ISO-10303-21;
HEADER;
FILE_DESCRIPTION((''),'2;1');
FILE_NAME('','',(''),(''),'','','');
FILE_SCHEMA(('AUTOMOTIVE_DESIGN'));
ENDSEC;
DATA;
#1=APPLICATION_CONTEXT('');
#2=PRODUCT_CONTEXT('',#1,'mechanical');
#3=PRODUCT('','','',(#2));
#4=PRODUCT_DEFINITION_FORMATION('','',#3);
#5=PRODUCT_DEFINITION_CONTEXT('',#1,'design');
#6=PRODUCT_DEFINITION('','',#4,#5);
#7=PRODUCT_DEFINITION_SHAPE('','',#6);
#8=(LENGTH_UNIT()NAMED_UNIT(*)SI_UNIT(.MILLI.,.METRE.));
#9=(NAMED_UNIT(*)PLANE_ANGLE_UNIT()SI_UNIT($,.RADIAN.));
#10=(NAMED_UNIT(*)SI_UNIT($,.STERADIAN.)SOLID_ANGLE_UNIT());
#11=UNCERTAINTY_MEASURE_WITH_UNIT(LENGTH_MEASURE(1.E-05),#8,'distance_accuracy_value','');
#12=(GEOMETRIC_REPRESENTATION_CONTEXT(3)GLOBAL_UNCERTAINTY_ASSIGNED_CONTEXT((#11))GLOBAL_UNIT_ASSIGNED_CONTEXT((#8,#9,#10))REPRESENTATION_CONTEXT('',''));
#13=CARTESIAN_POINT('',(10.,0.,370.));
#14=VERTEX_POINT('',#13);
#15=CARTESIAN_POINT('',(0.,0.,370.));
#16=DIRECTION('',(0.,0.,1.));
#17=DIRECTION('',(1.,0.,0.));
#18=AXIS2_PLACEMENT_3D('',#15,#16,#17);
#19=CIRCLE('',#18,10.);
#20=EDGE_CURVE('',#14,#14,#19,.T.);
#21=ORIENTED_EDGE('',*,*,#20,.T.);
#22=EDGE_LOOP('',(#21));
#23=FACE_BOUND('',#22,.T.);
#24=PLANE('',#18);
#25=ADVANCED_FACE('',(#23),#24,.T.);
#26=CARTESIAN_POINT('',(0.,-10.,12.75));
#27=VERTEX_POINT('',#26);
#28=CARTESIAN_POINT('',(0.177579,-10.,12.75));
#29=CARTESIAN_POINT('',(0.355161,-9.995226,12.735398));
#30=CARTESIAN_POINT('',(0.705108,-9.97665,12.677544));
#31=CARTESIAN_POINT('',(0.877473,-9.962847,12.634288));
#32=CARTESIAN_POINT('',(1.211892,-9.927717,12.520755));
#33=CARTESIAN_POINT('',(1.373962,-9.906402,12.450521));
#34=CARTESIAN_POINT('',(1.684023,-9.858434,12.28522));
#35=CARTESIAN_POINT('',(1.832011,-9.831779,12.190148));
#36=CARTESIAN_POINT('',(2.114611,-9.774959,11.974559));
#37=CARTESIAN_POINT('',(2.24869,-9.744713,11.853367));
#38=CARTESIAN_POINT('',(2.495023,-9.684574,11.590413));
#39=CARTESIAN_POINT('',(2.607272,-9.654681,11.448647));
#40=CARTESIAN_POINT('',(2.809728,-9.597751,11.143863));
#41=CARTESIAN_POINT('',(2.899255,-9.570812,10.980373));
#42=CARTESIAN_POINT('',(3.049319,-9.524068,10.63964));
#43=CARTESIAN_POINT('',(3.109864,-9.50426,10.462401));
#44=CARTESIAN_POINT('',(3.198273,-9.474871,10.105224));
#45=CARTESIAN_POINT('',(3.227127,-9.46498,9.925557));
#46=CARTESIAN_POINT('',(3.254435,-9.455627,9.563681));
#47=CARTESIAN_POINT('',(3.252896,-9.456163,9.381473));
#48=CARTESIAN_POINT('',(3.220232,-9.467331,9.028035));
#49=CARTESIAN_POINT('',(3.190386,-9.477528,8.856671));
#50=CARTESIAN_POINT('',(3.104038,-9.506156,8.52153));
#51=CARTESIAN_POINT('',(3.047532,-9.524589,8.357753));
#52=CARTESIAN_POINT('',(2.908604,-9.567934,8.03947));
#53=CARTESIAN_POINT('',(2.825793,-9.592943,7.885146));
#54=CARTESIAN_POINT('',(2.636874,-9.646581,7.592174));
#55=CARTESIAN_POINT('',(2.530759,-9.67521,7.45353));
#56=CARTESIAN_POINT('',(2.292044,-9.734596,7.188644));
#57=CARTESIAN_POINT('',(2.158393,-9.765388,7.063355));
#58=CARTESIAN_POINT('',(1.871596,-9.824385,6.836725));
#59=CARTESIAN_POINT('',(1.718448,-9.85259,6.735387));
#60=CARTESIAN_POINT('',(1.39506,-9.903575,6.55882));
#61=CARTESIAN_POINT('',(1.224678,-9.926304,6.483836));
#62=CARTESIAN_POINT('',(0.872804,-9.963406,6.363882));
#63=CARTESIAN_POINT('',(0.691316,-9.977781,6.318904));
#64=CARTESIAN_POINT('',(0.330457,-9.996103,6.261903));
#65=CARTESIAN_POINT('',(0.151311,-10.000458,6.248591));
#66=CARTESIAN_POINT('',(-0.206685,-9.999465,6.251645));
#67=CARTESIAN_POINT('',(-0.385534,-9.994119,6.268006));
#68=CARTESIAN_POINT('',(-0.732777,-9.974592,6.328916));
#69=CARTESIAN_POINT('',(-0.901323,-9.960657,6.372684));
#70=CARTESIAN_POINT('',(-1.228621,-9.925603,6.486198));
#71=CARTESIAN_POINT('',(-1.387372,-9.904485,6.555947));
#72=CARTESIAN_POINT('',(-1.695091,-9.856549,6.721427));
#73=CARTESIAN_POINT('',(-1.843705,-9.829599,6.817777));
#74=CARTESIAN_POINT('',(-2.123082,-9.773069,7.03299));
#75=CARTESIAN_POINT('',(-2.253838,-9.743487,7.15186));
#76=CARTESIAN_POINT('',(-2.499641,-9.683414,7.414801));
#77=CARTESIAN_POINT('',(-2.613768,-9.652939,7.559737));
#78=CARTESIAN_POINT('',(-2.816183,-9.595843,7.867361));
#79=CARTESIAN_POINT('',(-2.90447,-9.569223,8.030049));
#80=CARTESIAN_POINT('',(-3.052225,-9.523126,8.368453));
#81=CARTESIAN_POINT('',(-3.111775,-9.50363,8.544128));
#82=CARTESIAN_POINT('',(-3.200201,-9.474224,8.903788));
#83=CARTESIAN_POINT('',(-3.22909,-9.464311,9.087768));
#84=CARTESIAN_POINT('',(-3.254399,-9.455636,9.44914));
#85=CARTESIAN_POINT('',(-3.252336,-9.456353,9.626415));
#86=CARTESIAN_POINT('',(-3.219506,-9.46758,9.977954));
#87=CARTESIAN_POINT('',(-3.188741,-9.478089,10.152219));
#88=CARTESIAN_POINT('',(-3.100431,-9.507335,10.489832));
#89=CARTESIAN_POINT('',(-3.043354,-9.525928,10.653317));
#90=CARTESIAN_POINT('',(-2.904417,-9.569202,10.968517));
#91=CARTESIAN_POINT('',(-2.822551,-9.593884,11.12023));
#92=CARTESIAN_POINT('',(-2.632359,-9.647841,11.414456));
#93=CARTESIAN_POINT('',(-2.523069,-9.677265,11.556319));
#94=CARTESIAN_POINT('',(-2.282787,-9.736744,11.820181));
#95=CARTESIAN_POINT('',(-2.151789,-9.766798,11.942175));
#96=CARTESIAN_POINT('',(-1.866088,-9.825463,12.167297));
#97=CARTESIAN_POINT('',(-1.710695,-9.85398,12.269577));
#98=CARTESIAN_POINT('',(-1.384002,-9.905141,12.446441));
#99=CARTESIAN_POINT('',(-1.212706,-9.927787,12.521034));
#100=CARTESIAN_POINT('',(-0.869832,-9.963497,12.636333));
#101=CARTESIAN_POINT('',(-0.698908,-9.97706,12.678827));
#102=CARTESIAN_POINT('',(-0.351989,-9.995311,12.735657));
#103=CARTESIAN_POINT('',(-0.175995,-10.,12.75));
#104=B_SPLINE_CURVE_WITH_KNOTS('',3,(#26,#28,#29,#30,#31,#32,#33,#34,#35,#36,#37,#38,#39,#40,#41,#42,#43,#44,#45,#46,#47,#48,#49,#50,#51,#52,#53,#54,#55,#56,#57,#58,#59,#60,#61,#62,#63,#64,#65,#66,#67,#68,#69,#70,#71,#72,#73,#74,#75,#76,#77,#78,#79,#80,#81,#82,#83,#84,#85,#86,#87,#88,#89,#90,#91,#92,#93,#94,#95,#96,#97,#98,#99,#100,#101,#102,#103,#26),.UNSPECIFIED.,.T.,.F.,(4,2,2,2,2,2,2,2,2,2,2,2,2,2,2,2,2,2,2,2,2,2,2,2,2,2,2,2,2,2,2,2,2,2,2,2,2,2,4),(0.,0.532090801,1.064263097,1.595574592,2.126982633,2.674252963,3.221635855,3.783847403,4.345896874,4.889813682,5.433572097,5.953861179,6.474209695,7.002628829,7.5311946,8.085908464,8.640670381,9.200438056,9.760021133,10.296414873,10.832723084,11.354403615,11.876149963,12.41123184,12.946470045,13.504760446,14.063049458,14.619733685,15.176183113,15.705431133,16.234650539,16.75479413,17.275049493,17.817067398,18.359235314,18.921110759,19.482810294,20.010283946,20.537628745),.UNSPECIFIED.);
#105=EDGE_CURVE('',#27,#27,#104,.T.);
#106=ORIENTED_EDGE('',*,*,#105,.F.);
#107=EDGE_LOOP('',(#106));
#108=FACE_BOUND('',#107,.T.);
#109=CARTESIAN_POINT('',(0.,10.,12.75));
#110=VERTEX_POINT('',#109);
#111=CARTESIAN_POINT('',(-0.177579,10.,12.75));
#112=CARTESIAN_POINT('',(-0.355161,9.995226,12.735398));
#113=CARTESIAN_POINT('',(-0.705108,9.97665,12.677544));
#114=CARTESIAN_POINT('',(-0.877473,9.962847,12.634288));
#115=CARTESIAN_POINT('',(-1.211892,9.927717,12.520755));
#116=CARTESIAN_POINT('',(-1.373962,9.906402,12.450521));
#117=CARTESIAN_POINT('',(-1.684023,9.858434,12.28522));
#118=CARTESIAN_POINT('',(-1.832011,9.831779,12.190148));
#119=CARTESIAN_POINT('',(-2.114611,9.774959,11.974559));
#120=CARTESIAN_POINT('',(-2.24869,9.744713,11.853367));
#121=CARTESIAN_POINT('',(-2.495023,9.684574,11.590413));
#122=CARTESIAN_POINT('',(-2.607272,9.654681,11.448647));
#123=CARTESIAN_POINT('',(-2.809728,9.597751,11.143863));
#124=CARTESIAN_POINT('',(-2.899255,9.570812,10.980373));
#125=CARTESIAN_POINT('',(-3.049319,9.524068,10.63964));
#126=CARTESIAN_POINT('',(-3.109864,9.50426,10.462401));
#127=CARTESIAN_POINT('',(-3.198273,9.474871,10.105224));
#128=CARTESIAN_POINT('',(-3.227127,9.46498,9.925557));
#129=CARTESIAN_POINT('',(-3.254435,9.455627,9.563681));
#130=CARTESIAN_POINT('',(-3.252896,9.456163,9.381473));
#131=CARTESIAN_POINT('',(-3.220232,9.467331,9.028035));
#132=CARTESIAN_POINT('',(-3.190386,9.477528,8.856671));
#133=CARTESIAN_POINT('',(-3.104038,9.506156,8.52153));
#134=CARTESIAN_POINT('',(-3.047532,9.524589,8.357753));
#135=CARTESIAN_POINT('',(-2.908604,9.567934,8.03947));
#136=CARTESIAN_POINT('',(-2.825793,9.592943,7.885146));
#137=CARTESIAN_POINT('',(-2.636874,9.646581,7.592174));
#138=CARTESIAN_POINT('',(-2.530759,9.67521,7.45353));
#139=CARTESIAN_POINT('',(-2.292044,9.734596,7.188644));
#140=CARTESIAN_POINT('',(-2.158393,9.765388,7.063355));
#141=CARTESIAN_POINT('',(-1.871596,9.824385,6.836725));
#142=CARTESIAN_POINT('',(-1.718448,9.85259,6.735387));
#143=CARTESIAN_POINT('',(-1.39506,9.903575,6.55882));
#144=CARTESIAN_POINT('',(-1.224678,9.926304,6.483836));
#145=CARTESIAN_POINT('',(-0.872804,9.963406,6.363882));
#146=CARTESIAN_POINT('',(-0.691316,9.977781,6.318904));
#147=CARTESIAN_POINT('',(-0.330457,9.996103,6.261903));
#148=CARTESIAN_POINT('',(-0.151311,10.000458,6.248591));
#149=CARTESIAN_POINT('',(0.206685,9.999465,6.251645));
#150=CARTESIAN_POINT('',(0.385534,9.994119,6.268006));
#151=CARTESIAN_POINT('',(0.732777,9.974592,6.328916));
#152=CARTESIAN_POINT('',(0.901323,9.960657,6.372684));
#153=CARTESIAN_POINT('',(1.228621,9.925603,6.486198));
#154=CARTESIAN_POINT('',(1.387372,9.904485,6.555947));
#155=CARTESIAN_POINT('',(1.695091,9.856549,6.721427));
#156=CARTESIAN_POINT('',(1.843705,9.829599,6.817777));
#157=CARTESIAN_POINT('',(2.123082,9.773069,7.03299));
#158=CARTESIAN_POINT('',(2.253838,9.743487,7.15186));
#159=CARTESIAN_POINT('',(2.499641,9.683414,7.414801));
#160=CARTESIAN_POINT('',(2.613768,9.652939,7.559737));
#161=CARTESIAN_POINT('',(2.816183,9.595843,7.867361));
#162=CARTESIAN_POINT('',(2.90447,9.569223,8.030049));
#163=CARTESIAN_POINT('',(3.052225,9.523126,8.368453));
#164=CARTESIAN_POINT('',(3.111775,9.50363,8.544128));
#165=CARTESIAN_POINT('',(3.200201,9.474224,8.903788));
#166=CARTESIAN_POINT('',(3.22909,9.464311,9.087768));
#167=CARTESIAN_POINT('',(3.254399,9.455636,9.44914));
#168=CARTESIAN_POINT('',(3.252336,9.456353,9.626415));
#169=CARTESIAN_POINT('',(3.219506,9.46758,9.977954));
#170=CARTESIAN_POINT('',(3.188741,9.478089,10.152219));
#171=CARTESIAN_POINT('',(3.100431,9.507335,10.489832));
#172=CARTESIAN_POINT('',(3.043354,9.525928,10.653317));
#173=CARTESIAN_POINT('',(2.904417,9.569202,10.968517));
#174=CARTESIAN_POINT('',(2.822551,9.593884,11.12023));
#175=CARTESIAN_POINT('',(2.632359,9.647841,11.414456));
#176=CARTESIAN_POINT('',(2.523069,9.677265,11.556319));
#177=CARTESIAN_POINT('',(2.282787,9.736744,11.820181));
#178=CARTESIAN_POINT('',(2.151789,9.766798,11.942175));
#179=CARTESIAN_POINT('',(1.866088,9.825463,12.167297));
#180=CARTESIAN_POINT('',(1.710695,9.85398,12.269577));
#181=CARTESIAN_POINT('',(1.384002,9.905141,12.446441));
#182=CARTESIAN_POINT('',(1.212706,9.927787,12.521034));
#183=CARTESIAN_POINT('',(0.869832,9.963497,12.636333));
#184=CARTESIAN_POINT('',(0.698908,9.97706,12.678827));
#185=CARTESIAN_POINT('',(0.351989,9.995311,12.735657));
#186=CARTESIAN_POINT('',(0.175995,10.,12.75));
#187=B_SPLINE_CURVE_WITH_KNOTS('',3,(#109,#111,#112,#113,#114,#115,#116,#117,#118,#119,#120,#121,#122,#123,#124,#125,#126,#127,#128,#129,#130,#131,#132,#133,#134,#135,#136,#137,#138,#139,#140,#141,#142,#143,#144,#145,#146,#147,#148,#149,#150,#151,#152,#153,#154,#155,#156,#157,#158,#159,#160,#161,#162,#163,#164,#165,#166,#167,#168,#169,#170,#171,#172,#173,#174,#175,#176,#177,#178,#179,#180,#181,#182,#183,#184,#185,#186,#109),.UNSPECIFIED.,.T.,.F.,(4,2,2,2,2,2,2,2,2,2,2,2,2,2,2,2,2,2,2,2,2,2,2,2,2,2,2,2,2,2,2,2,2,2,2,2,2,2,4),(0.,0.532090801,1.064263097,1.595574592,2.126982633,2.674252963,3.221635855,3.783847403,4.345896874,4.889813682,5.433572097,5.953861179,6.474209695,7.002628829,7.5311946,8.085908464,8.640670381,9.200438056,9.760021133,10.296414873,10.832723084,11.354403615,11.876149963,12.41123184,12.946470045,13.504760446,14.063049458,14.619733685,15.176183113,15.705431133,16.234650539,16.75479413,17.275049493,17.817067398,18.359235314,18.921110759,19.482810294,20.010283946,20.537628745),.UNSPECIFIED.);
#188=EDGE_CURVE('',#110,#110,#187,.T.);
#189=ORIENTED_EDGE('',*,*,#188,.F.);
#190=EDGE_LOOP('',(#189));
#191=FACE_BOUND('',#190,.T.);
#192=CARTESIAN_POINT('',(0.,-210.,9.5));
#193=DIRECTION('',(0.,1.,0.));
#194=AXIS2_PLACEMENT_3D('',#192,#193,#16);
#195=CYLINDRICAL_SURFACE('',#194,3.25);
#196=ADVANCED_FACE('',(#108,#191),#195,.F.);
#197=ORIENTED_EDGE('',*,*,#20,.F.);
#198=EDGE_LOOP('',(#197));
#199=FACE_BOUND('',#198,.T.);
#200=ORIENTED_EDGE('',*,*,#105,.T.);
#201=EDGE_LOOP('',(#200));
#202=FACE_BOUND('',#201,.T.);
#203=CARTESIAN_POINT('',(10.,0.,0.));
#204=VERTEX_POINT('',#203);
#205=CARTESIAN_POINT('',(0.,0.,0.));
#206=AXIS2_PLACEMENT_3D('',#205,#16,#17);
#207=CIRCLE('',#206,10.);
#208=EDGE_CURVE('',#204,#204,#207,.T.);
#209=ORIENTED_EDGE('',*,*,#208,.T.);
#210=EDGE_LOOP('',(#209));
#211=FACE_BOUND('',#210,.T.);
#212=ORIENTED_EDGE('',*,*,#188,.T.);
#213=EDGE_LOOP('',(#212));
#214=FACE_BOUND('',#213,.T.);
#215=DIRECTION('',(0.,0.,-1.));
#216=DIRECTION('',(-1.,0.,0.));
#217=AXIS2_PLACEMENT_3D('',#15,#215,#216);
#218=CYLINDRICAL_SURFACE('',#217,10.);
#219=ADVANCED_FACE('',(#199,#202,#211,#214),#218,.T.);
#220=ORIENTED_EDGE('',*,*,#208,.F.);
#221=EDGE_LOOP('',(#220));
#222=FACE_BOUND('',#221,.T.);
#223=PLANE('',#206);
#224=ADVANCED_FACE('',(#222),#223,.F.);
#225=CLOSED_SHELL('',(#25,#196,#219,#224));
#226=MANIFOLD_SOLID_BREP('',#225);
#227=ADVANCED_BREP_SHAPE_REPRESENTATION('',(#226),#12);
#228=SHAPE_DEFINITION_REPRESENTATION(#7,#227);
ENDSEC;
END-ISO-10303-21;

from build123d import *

# Parameters (mm, degrees)
SKETCH_1_R          = 10
EXTRUDE_1_DEPTH     = 370
SKETCH_2_R          = 3.25
CUT_EXTRUDE_1_DEPTH = 210


with BuildPart() as part:
    # 草图1 → 凸台-拉伸1 (new body)
    with BuildSketch(Plane.XY):
        Circle(SKETCH_1_R)
    extrude(amount=EXTRUDE_1_DEPTH)

    # 草图2 → 切除-拉伸1 (cut, symmetric)
    with BuildSketch(Plane(origin=(0, 0, 0), x_dir=(1, 0, 0), z_dir=(0, 1, 0))):
        with Locations((0, -9.5)):
            Circle(SKETCH_2_R)
    extrude(amount=CUT_EXTRUDE_1_DEPTH, both=True, mode=Mode.SUBTRACT)


solid = part.part
